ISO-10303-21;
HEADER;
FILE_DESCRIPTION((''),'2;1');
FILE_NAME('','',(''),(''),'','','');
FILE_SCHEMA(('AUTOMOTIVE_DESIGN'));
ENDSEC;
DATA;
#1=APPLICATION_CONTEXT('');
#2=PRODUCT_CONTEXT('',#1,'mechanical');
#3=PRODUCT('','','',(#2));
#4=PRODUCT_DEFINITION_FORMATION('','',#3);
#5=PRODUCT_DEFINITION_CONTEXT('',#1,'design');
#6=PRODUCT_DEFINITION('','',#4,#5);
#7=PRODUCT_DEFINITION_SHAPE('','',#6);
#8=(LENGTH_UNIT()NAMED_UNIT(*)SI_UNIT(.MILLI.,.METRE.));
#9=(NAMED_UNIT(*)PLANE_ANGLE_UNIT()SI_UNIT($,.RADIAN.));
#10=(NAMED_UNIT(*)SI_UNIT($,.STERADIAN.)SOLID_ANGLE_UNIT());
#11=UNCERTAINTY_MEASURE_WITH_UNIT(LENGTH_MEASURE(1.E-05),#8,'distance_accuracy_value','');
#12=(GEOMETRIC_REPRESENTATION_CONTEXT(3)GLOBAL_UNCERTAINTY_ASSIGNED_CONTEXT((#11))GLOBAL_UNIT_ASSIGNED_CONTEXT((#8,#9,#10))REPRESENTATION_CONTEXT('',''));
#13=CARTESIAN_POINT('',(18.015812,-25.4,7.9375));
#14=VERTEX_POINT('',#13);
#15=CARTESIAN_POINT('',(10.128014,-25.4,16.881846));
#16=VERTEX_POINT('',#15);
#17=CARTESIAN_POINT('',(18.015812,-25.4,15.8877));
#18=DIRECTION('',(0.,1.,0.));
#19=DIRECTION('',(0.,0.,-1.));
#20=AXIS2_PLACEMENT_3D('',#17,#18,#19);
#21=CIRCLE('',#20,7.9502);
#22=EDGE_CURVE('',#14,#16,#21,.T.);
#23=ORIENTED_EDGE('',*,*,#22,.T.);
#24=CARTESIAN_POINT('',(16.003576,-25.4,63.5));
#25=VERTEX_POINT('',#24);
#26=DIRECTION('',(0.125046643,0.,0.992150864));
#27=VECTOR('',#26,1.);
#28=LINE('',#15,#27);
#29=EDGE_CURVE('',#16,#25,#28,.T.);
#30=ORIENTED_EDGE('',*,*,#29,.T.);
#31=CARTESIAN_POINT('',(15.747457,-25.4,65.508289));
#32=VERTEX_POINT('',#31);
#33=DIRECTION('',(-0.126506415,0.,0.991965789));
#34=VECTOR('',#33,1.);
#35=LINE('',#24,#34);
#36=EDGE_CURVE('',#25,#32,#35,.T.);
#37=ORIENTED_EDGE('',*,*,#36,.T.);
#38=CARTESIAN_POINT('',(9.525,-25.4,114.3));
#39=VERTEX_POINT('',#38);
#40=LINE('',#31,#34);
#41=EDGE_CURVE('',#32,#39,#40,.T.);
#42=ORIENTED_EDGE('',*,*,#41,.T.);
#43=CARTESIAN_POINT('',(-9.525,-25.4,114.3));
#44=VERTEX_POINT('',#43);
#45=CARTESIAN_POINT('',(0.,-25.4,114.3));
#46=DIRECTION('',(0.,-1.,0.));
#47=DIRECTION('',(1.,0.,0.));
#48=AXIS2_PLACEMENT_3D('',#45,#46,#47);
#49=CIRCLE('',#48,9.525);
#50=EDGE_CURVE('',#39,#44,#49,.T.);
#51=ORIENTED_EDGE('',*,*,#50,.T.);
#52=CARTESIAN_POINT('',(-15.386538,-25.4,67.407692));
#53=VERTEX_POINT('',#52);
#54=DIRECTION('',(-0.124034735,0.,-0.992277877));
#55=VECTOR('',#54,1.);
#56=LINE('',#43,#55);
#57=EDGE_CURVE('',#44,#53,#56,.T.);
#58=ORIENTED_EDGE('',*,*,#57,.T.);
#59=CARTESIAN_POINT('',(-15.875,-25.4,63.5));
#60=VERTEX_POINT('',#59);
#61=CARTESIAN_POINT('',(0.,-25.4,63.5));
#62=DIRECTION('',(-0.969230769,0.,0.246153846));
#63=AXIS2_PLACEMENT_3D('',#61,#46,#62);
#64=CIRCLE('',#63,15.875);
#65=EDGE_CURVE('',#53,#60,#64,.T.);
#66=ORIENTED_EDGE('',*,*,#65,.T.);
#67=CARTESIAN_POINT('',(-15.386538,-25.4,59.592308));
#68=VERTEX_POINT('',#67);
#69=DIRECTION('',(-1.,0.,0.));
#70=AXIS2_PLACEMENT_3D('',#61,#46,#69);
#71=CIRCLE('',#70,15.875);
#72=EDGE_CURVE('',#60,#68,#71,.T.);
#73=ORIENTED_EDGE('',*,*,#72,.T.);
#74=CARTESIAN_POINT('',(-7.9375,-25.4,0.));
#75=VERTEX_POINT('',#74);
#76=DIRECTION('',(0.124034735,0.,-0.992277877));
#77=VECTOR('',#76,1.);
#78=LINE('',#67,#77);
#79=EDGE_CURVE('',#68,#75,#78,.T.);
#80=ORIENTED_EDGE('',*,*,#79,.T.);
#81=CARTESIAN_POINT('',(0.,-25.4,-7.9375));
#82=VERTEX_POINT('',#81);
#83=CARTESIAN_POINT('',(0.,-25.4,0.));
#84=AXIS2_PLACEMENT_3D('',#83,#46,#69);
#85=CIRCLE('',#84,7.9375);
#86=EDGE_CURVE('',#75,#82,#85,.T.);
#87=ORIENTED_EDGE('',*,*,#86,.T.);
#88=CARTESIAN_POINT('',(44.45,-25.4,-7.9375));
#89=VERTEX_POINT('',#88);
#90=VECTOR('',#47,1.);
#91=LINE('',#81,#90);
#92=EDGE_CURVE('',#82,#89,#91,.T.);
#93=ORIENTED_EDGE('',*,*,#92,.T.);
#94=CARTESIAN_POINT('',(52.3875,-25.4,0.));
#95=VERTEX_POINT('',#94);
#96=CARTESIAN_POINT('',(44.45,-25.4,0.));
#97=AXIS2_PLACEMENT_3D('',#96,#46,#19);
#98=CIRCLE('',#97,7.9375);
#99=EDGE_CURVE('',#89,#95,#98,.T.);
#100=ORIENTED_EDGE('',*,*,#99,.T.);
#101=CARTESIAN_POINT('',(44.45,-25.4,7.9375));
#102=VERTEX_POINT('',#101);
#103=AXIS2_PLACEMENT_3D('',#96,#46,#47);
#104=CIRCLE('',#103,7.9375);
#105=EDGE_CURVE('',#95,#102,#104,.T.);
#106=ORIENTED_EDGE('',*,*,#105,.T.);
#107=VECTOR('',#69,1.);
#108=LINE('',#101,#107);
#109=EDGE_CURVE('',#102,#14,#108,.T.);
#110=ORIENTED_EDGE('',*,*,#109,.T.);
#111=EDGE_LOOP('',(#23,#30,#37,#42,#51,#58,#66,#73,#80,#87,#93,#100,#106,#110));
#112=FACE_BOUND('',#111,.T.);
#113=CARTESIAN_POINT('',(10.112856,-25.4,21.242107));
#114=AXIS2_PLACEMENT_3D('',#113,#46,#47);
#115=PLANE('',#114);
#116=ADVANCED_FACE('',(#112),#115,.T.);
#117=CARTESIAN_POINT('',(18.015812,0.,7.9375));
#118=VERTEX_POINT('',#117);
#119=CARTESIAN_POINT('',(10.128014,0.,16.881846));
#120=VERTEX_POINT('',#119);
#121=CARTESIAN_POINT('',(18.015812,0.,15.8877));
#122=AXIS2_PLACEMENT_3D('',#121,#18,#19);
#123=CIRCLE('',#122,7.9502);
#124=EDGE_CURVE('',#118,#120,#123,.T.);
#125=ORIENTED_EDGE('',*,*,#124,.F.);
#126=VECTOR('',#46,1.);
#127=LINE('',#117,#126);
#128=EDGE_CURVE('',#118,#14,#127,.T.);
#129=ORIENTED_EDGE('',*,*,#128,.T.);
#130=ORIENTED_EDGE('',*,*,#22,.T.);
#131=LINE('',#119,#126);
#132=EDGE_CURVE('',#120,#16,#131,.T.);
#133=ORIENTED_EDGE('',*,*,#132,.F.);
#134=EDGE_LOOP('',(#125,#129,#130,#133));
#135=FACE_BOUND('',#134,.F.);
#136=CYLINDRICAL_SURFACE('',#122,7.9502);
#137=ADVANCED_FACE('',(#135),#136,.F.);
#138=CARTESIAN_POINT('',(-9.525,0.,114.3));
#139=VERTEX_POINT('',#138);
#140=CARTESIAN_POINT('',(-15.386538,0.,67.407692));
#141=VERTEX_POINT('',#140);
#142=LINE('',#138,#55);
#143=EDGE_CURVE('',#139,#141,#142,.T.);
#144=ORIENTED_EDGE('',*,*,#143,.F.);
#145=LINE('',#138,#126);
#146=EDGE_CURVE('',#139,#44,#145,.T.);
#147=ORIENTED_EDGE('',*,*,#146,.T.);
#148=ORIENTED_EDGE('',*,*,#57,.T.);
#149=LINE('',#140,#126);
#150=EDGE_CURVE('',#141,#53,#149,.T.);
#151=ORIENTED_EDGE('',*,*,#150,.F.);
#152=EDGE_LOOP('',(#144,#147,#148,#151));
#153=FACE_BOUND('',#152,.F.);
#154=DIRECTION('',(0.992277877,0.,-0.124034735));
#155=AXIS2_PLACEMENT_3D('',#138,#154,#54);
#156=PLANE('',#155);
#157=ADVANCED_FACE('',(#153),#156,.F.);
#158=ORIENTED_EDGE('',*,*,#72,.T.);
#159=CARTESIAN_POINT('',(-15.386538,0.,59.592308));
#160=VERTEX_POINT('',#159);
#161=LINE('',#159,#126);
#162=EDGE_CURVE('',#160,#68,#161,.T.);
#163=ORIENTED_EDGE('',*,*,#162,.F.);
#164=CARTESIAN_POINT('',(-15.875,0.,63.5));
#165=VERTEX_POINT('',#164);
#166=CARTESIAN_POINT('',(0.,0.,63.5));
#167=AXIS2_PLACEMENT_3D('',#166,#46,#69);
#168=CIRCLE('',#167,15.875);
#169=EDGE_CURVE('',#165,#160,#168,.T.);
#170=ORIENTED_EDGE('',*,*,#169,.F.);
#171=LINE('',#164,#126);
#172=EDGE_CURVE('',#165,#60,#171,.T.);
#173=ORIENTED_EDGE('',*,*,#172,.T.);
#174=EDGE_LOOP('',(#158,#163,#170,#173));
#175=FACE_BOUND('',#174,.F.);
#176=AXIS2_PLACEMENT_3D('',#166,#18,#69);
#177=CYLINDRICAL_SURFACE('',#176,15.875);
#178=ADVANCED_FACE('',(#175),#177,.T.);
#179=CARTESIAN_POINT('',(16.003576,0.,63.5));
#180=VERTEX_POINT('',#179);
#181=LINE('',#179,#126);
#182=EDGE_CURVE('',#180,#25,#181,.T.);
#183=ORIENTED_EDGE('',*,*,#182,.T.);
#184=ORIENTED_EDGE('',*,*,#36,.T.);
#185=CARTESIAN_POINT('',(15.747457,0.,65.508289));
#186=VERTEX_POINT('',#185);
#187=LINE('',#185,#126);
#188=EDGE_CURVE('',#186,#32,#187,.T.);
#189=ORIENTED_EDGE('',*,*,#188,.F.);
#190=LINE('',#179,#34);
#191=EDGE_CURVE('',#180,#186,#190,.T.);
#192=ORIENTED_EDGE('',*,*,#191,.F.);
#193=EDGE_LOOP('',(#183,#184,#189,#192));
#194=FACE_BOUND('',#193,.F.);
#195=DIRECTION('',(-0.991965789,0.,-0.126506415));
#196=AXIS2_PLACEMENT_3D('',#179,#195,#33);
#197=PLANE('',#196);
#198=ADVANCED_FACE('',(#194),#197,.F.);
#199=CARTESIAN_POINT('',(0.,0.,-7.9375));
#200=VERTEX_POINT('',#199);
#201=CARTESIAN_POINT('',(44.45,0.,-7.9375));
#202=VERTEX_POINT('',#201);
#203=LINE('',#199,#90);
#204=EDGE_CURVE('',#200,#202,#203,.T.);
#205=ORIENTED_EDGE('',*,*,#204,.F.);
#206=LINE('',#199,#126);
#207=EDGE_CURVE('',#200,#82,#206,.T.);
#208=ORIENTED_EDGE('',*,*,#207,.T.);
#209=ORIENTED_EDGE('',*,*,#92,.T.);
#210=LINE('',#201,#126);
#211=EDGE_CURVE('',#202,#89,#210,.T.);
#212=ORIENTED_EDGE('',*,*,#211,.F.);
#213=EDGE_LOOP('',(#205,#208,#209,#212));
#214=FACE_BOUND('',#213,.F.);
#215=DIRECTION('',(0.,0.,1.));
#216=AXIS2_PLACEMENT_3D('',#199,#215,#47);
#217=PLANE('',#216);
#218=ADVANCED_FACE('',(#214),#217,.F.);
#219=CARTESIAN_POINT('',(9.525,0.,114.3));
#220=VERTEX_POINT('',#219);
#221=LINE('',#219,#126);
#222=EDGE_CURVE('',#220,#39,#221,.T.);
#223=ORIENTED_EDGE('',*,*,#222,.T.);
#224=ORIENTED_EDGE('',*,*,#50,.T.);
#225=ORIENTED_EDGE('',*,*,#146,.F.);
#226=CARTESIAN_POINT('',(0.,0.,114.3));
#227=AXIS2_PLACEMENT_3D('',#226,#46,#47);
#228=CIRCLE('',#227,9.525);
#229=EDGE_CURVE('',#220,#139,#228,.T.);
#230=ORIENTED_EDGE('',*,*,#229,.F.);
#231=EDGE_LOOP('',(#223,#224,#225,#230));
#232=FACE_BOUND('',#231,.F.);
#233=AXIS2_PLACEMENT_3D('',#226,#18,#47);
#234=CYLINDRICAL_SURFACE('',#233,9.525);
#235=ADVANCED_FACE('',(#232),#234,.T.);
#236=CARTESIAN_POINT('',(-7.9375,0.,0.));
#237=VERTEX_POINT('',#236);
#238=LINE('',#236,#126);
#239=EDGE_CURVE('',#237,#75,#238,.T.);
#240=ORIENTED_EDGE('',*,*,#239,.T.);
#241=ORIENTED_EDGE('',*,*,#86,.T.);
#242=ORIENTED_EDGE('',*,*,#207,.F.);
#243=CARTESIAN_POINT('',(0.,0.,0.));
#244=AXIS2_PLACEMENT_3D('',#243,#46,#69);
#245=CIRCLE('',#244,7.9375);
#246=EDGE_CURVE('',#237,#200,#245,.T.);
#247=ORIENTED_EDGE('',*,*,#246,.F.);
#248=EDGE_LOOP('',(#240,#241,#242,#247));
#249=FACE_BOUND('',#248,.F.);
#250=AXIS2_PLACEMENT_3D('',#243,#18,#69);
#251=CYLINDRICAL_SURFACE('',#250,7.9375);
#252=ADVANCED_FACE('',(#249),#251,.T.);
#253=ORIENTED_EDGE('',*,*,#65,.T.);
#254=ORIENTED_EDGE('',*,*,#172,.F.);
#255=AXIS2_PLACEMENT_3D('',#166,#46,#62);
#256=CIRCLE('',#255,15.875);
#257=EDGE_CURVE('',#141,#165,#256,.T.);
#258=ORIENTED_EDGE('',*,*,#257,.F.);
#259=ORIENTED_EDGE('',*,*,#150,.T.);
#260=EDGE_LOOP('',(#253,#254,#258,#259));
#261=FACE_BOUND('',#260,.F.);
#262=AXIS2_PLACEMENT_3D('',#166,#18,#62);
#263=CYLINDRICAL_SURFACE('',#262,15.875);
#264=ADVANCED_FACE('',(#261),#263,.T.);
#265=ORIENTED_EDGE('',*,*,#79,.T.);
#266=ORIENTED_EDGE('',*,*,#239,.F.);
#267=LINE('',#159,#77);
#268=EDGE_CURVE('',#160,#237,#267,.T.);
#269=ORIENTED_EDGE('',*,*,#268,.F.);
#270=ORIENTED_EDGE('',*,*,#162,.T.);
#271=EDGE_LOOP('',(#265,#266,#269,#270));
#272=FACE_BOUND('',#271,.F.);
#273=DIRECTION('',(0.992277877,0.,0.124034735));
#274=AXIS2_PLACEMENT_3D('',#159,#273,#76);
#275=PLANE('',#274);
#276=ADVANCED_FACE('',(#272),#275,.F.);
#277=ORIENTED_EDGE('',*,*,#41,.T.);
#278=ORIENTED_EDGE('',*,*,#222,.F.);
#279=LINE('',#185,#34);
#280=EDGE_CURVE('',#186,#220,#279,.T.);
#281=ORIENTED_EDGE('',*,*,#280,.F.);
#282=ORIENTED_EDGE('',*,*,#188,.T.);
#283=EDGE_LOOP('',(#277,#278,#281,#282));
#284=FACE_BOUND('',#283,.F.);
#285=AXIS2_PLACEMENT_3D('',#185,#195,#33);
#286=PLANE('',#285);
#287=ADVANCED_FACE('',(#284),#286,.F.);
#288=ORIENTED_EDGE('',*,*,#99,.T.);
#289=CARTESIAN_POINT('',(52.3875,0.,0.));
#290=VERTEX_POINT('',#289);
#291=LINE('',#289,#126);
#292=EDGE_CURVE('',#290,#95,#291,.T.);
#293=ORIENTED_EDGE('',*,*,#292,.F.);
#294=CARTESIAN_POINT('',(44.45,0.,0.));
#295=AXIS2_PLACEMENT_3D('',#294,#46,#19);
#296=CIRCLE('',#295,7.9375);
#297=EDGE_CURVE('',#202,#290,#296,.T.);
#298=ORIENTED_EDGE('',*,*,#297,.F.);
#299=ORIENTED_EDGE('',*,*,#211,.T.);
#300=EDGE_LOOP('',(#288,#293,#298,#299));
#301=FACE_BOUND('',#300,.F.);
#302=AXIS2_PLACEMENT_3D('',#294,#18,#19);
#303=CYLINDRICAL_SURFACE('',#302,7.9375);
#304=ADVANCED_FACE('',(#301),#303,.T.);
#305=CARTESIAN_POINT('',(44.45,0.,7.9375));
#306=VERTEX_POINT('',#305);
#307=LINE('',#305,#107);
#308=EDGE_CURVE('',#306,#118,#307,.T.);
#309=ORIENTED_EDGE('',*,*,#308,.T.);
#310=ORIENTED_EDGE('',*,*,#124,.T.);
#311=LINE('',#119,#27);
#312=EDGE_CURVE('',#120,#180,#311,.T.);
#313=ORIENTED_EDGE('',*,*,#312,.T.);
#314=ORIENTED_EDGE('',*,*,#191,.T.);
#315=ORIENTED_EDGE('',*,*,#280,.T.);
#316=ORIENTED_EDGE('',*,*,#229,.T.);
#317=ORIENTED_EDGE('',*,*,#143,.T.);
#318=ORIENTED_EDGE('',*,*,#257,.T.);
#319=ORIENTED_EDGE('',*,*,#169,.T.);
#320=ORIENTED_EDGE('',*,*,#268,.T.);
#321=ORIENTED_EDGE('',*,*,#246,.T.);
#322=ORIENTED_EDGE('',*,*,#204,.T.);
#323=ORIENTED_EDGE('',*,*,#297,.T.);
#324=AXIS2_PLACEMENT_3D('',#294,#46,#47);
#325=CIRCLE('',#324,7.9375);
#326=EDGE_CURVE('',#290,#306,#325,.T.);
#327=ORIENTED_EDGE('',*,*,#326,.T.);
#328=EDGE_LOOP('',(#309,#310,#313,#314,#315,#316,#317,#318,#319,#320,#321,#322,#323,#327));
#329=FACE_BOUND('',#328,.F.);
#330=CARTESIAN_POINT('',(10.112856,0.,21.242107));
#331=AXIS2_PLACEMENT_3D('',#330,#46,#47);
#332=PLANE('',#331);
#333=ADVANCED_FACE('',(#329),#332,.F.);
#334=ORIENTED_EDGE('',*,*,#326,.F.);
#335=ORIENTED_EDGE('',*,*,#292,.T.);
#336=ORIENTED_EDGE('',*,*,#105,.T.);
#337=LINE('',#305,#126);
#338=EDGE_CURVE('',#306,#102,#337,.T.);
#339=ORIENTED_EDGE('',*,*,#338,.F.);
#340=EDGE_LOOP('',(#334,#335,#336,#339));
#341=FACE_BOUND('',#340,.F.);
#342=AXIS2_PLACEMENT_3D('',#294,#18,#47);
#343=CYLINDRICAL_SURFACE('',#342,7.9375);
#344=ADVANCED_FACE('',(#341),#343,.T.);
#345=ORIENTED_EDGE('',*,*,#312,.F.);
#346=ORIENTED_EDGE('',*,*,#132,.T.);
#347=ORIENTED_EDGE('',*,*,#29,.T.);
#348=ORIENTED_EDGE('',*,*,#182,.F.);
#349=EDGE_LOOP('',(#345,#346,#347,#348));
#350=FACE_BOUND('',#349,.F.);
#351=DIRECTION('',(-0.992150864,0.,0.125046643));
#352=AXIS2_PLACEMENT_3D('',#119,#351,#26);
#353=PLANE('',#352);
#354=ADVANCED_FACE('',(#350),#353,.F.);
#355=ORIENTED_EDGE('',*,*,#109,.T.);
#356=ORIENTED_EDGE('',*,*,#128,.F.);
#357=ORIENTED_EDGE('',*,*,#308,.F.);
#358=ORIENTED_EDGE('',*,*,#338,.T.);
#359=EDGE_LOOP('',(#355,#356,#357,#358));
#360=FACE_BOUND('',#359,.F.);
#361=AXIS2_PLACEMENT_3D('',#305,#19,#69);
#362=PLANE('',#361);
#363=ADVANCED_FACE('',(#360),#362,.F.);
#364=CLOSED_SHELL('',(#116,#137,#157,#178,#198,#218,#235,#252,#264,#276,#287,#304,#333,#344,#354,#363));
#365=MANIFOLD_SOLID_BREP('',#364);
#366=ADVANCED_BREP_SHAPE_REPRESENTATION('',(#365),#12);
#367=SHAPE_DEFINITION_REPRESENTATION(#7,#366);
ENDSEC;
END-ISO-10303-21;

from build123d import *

# Parameters (mm, degrees)
F0_R     = 3.175
F1_DEPTH = 25.4


with BuildPart() as f1:
    # F0 (on Front) → F1 (new body)
    with BuildSketch(Plane.XZ):
        with BuildLine():
            ThreePointArc((44.45, -7.9375), (36.5125, 0), (44.45, 7.9375))
            Line((44.45, 7.9375), (18.015812116, 7.9375))
            ThreePointArc((18.015812116, 7.9375), (12.0530385091, 10.6292771421), (10.1280143169, 16.8818458246))
            Line((10.1280143169, 16.8818458246), (16.0035761028, 63.5))
            Line((16.0035761028, 63.5), (15.7474569502, 65.5082889734))
            ThreePointArc((15.7474569502, 65.5082889734), (15.843082151, 64.50616746), (15.875, 63.5))
            ThreePointArc((15.875, 63.5), (1.9690514116, 47.7475887072), (-15.3865384615, 59.5923076923))
            Line((-15.3865384615, 59.5923076923), (-7.9375, 0))
            ThreePointArc((-7.9375, 0), (0, 7.9375), (7.9375, 0))
            ThreePointArc((7.9375, 0), (5.6126600757, -5.6126600757), (0, -7.9375))
            Line((0, -7.9375), (44.45, -7.9375))
        make_face()
        with BuildLine():
            Line((-15.875, 63.5), (-15.3865384615, 59.5923076923))
            ThreePointArc((-15.3865384615, 59.5923076923), (1.9690514116, 47.7475887072), (15.875, 63.5))
            ThreePointArc((15.875, 63.5), (15.843082151, 64.50616746), (15.7474569502, 65.5082889734))
            ThreePointArc((15.7474569502, 65.5082889734), (0.9666947789, 79.3455396312), (-15.3865384615, 67.4076923077))
            Line((-15.3865384615, 67.4076923077), (-15.875, 63.5))
        make_face()
        with Locations((0, 63.5)):
            Circle(F0_R, mode=Mode.SUBTRACT)
        with BuildLine():
            ThreePointArc((-15.3865384615, 67.4076923077), (0.9666947789, 79.3455396312), (15.7474569502, 65.5082889734))
            Line((15.7474569502, 65.5082889734), (9.525, 114.3))
            ThreePointArc((9.525, 114.3), (0, 104.775), (-9.525, 114.3))
            Line((-9.525, 114.3), (-15.3865384615, 67.4076923077))
        make_face()
        with BuildLine():
            ThreePointArc((-9.525, 114.3), (0, 104.775), (9.525, 114.3))
            ThreePointArc((9.525, 114.3), (0, 123.825), (-9.525, 114.3))
        make_face()
        with Locations((0, 114.3)):
            Circle(F0_R, mode=Mode.SUBTRACT)
        with BuildLine():
            ThreePointArc((44.45, -7.9375), (50.0626600757, -5.6126600757), (52.3875, 0))
            ThreePointArc((52.3875, 0), (50.0626600757, 5.6126600757), (44.45, 7.9375))
            ThreePointArc((44.45, 7.9375), (36.5125, 0), (44.45, -7.9375))
        make_face()
        with Locations((44.45, 0)):
            Circle(F0_R, mode=Mode.SUBTRACT)
        with BuildLine():
            ThreePointArc((-7.9375, 0), (-5.6126600757, -5.6126600757), (0, -7.9375))
            ThreePointArc((0, -7.9375), (5.6126600757, -5.6126600757), (7.9375, 0))
            ThreePointArc((7.9375, 0), (0, 7.9375), (-7.9375, 0))
        make_face()
        Circle(F0_R, mode=Mode.SUBTRACT)
        with Locations((44.45, 0)):
            Circle(F0_R)
        Circle(F0_R)
        with Locations((0, 63.5)):
            Circle(F0_R)
        with Locations((0, 114.3)):
            Circle(F0_R)
        with BuildLine():
            ThreePointArc((-15.875, 63.5), (-15.7524112928, 61.5309485884), (-15.3865384615, 59.5923076923))
            Line((-15.3865384615, 59.5923076923), (-15.875, 63.5))
        make_face()
        with BuildLine():
            ThreePointArc((-15.3865384615, 67.4076923077), (-15.7524112928, 65.4690514116), (-15.875, 63.5))
            Line((-15.875, 63.5), (-15.3865384615, 67.4076923077))
        make_face()
    extrude(amount=F1_DEPTH)


solid = f1.part
